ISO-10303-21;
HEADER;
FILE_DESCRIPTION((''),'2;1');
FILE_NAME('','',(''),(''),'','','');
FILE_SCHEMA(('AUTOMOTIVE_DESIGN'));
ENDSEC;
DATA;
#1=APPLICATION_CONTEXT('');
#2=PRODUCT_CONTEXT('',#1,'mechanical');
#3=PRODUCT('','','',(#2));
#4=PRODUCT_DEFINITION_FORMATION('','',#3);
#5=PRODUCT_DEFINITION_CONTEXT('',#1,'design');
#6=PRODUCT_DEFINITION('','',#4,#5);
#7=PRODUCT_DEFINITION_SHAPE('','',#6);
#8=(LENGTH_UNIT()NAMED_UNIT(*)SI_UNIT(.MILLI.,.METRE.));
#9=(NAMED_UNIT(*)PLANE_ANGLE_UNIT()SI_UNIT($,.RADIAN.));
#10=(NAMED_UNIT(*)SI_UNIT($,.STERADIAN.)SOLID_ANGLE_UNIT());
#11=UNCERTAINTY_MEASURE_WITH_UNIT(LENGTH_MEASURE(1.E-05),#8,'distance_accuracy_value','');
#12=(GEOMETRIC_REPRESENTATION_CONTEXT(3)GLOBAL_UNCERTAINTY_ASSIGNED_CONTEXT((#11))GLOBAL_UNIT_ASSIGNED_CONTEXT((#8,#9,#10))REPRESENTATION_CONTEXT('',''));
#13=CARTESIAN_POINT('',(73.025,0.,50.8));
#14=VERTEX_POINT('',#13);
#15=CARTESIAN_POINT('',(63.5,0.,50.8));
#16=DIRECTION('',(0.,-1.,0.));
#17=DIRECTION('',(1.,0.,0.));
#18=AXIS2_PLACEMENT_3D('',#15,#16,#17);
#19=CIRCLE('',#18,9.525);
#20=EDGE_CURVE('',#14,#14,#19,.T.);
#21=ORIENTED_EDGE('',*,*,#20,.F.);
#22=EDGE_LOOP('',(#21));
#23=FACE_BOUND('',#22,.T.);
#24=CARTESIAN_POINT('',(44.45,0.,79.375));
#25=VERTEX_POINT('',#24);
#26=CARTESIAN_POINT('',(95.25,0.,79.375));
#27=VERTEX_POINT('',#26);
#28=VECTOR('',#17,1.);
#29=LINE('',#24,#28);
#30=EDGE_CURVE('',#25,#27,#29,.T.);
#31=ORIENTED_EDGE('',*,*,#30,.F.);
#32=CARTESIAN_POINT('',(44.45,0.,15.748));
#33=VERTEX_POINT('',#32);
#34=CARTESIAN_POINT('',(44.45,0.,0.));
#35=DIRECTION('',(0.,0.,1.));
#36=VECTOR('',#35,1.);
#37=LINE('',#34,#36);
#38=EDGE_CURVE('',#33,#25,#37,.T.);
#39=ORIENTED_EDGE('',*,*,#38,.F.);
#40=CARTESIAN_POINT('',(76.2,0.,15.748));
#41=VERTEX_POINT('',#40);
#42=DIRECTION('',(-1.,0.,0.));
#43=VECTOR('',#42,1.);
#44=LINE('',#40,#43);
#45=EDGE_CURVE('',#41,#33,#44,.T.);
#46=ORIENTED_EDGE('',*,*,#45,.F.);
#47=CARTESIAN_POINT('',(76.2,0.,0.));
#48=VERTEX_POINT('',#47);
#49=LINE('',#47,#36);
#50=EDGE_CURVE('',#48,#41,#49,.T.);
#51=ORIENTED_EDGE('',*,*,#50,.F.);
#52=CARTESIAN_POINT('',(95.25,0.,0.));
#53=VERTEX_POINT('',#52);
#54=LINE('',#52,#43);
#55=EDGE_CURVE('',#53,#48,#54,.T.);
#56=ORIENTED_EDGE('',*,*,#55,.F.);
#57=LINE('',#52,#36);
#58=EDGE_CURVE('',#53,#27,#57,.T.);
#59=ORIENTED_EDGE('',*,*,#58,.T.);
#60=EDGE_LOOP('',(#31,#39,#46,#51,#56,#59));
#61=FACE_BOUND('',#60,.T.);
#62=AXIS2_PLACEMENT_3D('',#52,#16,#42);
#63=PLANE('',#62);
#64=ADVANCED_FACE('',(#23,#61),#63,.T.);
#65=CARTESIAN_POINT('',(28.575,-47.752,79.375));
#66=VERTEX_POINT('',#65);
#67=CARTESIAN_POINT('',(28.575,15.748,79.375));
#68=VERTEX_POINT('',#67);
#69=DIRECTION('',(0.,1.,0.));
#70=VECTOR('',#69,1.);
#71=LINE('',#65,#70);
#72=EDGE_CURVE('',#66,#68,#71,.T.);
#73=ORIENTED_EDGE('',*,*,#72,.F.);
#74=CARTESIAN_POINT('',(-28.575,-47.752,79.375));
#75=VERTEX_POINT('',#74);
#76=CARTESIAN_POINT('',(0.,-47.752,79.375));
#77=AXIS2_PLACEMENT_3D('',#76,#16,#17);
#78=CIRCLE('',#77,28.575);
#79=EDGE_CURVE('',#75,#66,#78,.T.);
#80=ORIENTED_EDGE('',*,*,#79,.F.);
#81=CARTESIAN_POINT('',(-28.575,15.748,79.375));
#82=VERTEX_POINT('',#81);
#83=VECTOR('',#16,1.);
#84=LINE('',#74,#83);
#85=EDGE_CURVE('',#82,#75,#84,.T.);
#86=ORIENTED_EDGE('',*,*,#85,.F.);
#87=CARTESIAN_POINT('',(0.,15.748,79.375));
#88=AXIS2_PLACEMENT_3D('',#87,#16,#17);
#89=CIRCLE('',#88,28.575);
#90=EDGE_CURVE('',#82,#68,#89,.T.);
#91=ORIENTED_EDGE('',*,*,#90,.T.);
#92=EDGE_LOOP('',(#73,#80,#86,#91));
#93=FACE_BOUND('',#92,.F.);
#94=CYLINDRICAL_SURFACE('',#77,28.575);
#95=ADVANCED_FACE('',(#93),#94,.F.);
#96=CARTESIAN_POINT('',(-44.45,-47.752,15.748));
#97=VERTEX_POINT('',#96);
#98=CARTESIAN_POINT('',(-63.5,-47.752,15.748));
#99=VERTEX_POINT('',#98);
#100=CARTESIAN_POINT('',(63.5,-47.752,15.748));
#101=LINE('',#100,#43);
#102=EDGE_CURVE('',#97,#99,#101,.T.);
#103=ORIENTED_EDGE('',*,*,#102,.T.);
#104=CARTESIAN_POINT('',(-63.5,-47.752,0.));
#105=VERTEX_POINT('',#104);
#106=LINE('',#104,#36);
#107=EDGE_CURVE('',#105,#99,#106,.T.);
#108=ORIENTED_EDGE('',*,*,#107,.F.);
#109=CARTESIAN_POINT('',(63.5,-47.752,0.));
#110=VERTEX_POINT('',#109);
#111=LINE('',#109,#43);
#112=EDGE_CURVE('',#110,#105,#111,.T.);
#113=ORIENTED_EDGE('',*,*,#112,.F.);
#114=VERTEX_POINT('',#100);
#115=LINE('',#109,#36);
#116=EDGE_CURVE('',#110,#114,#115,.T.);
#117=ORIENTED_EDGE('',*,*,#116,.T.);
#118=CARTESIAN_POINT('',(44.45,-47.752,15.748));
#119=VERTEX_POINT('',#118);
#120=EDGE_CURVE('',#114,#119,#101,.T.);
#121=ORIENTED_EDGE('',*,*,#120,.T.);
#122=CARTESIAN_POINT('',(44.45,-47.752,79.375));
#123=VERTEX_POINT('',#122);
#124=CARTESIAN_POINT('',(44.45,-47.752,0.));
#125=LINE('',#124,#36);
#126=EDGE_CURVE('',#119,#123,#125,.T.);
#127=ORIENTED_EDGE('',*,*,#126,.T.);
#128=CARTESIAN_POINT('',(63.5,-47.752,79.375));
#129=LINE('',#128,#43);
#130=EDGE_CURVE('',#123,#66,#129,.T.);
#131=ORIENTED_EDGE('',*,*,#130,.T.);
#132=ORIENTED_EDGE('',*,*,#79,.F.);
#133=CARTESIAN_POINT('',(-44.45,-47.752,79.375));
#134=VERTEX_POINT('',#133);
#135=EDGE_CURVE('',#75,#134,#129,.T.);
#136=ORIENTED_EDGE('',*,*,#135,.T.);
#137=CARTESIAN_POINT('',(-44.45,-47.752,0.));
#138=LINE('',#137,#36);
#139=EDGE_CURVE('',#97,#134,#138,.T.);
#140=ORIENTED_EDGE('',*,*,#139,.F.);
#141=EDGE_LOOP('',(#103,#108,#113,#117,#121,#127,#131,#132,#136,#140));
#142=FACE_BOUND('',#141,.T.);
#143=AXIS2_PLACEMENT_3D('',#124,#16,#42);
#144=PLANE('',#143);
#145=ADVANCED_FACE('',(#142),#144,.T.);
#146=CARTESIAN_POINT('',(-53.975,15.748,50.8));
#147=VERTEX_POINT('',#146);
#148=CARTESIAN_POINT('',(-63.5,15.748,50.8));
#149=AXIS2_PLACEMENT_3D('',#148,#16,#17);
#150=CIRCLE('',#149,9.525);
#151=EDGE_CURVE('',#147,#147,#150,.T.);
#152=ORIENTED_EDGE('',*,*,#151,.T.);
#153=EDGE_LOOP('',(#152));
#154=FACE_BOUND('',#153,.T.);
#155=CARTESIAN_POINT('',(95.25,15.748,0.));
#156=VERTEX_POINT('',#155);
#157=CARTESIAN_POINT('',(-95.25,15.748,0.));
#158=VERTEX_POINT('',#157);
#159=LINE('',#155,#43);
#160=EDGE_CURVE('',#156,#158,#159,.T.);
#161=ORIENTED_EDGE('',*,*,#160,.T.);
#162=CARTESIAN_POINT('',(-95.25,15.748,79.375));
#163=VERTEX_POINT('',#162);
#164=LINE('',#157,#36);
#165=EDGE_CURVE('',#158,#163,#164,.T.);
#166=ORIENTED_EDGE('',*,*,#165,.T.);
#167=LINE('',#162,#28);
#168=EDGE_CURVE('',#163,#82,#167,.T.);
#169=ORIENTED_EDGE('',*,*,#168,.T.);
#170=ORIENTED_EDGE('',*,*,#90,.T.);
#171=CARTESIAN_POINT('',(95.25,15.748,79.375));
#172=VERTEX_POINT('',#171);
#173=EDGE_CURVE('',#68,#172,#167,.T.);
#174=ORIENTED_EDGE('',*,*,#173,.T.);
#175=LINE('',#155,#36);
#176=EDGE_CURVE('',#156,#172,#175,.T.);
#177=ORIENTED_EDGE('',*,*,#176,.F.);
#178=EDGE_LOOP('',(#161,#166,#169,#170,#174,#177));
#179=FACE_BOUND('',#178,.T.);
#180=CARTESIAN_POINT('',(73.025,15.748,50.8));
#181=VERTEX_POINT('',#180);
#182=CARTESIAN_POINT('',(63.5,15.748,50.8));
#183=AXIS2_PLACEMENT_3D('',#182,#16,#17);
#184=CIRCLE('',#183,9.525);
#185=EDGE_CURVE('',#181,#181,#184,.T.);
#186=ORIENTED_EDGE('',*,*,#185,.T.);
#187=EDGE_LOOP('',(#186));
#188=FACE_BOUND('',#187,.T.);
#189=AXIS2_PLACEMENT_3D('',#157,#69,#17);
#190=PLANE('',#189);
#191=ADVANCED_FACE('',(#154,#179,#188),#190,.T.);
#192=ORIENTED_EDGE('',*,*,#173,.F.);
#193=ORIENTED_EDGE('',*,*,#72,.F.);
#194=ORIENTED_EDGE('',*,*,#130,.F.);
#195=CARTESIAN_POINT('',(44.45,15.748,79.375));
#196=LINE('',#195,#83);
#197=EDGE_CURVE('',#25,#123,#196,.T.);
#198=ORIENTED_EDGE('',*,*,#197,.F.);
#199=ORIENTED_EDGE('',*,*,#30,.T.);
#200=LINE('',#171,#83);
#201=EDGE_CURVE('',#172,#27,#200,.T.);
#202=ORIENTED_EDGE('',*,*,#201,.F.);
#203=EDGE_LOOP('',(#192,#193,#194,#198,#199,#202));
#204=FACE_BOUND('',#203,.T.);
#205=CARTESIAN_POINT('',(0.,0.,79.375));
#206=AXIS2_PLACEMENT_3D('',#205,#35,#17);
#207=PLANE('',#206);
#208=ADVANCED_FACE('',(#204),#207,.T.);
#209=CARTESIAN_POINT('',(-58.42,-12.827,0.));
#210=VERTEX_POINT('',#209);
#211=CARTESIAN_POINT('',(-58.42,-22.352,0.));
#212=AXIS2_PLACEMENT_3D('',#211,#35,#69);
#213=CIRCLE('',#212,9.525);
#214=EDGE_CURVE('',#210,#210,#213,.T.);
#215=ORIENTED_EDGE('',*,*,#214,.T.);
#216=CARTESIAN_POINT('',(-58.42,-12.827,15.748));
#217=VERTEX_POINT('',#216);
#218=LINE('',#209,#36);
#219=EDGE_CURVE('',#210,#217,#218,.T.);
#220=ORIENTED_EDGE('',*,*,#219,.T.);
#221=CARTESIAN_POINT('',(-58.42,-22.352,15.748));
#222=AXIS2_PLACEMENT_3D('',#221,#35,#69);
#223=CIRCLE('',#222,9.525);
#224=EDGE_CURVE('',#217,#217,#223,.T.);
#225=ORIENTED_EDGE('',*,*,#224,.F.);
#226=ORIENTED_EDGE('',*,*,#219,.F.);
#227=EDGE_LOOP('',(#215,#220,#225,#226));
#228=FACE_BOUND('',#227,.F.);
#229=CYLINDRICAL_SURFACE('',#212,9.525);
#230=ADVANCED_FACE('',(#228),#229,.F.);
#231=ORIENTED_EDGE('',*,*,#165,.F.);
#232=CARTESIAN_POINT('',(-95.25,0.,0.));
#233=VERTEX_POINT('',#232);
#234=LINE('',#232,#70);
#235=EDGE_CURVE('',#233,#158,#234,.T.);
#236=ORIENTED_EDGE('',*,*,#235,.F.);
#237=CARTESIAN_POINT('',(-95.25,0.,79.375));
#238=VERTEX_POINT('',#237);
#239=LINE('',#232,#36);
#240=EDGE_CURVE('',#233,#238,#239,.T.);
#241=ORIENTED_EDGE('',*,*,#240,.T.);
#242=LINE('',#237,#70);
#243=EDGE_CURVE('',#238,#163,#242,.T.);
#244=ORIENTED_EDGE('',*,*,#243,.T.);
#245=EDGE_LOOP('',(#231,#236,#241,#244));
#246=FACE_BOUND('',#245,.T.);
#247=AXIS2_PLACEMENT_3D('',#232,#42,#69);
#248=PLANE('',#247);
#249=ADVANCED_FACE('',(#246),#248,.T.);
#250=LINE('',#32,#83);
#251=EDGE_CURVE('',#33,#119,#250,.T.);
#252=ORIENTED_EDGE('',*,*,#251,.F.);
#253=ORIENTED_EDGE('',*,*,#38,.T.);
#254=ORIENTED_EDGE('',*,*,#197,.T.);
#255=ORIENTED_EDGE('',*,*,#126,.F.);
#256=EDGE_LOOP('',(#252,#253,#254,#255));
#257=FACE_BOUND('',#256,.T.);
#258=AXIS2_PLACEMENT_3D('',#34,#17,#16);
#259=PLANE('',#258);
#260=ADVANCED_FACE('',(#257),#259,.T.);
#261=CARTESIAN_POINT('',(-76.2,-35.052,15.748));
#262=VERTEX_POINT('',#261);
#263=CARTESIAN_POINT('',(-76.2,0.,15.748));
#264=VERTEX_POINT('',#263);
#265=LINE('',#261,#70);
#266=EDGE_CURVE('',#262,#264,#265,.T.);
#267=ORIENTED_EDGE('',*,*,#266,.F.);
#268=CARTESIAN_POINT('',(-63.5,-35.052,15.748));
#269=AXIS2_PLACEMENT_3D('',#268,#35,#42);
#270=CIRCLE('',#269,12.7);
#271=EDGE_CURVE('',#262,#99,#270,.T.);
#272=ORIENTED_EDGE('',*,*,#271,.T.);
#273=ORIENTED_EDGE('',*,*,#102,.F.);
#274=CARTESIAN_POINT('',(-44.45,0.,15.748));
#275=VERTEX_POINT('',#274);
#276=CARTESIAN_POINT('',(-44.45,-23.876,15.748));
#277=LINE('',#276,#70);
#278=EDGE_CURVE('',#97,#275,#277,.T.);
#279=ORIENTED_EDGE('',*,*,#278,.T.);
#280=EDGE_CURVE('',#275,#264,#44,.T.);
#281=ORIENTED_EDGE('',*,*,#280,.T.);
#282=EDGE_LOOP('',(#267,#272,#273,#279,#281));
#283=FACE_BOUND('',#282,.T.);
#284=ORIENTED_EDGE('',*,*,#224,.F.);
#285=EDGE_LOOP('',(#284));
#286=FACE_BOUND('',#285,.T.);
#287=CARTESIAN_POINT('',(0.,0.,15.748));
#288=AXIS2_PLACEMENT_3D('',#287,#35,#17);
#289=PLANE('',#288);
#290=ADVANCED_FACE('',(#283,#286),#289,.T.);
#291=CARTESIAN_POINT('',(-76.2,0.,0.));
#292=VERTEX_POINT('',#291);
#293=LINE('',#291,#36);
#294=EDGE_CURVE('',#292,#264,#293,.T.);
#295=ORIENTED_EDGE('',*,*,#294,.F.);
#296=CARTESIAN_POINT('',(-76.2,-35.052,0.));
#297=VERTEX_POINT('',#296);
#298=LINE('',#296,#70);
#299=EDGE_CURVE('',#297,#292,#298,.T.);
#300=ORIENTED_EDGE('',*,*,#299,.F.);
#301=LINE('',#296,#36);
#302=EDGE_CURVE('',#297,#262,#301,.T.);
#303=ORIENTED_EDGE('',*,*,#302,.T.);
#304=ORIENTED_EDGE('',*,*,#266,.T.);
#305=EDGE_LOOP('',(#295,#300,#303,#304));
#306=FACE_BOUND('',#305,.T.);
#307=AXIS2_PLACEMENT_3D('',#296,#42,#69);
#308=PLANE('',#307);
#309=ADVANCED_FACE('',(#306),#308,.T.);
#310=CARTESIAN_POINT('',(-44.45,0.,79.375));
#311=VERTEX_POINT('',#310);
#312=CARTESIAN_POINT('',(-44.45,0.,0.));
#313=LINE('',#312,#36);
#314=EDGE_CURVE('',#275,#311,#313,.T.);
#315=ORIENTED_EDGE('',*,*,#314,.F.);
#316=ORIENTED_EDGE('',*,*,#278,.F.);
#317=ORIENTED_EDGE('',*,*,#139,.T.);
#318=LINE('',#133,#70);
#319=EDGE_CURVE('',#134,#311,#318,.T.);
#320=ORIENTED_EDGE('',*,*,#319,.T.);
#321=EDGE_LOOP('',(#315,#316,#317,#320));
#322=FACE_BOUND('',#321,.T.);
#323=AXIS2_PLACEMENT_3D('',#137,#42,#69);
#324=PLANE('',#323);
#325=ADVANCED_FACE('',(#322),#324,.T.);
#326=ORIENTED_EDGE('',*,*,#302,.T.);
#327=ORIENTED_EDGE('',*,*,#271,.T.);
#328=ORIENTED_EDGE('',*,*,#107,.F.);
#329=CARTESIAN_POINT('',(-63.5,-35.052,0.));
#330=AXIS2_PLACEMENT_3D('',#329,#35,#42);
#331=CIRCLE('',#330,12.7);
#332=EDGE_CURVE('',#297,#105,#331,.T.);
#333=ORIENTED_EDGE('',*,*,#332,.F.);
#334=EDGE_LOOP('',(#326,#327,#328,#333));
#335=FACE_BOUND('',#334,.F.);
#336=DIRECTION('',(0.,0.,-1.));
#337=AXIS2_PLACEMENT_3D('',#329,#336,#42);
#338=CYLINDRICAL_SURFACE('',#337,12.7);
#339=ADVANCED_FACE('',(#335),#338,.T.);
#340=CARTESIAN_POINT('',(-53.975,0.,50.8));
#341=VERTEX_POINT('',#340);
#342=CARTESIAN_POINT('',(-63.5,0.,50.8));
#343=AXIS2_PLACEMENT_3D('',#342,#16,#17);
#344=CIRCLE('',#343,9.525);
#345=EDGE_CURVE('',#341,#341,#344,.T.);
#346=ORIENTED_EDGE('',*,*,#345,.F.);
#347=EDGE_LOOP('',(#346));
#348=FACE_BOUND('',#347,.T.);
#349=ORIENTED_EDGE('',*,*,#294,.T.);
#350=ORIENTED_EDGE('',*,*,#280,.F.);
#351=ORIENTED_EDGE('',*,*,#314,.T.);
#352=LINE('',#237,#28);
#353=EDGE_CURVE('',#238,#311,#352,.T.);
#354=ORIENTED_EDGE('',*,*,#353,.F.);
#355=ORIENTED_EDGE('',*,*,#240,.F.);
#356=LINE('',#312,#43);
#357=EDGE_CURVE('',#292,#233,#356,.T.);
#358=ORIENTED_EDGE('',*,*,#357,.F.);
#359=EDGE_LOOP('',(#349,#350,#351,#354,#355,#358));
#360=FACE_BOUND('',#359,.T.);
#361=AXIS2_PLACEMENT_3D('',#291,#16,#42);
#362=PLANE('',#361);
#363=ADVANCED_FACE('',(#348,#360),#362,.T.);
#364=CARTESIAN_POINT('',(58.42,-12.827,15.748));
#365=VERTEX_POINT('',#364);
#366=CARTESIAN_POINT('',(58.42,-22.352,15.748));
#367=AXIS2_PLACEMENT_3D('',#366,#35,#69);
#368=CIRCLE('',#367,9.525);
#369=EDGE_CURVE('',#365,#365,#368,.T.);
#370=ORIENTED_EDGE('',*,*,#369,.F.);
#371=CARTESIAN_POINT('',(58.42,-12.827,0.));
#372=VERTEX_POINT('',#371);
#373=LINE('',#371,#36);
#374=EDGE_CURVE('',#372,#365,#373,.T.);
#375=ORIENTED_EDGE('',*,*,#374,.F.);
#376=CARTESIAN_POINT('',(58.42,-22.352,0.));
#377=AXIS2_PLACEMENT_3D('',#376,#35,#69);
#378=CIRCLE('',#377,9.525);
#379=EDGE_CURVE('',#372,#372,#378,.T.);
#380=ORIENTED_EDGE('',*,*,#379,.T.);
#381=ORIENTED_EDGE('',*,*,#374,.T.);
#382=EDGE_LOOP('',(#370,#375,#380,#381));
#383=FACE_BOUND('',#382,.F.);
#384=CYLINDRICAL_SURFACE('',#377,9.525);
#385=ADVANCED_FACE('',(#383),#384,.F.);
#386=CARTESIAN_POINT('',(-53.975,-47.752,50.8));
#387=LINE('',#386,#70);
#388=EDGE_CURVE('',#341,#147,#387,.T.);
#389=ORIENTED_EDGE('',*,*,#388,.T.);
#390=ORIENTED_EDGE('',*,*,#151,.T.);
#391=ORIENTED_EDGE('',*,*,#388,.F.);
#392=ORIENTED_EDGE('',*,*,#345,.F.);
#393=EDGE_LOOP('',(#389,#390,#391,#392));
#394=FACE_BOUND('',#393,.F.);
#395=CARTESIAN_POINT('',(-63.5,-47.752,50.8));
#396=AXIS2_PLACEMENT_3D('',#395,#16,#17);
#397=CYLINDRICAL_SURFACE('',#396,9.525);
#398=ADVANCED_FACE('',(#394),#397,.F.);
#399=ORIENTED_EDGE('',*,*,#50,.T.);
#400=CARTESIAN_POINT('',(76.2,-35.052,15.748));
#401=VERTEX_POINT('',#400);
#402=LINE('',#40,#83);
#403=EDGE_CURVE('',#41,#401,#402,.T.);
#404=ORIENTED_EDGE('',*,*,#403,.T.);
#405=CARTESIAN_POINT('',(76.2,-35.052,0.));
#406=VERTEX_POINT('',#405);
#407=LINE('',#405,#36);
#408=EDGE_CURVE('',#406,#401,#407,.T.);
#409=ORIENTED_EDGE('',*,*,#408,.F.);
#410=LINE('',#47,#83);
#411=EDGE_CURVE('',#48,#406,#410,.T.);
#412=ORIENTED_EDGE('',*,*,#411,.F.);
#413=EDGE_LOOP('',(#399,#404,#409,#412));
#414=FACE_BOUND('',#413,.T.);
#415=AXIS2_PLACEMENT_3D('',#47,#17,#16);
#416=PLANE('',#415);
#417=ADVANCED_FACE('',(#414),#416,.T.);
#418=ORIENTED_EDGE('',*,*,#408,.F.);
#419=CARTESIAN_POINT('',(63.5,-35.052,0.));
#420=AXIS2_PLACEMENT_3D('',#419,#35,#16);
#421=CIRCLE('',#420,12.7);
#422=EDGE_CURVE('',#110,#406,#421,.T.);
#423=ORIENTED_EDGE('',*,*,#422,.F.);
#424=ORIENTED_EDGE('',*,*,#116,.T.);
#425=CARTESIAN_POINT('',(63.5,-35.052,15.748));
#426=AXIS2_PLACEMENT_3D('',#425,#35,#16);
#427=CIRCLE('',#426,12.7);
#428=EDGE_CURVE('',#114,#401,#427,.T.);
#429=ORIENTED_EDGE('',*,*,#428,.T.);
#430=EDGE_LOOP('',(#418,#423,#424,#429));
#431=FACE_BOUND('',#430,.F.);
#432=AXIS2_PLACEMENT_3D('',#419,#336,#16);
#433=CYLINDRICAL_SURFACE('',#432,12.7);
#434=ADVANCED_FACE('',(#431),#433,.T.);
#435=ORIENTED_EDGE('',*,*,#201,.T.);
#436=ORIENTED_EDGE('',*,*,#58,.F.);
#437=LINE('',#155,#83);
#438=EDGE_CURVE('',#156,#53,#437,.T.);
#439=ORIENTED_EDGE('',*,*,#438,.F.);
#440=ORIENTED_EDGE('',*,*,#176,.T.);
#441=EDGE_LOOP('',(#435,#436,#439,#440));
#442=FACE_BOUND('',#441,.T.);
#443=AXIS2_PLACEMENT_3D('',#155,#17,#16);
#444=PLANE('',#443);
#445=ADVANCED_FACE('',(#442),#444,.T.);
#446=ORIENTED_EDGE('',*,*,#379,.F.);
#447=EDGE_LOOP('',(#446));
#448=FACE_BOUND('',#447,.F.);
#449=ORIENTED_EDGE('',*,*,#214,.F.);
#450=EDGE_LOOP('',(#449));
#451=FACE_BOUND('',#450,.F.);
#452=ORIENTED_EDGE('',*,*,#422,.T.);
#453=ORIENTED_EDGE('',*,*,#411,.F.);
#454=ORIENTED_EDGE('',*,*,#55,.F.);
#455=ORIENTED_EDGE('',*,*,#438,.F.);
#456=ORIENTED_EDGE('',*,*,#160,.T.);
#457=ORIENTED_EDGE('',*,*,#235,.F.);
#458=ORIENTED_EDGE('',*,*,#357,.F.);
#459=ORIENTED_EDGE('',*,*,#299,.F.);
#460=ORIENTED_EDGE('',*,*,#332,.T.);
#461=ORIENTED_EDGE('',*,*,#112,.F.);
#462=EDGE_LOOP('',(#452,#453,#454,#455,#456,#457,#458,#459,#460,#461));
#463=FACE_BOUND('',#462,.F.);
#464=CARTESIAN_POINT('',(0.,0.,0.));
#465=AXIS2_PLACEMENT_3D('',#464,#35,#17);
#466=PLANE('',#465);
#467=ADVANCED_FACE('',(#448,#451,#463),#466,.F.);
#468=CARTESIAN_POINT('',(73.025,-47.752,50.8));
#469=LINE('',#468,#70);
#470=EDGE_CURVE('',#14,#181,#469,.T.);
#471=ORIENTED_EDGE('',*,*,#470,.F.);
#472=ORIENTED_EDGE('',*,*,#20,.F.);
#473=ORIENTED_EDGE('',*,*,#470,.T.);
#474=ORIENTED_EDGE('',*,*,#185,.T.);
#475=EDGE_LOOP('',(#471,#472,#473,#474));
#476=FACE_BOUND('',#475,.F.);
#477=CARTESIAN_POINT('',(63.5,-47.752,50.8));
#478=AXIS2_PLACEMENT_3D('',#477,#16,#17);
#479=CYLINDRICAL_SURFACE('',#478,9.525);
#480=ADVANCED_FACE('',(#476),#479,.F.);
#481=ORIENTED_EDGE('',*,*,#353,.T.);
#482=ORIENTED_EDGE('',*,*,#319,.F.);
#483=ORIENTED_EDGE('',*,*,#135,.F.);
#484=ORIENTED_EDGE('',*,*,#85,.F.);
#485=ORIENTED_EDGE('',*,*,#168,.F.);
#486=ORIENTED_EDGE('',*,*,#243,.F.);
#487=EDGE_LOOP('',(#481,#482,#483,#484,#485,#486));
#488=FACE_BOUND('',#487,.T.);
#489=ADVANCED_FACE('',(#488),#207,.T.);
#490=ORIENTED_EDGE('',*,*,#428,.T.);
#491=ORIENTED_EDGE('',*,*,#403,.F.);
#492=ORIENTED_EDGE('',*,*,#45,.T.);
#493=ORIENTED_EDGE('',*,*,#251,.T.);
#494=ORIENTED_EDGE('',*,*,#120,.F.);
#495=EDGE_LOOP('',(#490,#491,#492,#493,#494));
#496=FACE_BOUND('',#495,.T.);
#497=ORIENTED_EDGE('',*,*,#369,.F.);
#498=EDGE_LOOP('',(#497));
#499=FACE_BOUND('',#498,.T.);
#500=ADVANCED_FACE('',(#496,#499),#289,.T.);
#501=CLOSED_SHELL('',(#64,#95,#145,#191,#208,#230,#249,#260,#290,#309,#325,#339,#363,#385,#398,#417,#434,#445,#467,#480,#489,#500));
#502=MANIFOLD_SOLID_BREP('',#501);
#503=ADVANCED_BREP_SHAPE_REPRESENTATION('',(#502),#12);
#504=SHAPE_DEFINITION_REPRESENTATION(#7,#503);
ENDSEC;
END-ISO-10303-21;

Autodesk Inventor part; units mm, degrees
ref_plane "YZ Plane" through (0, 0, 0) normal (1, 0, 0) x (0, 1, 0)
ref_plane "XZ Plane" through (0, 0, 0) normal (0, 1, 0) x (-1, 0, 0)
ref_plane "XY Plane" through (0, 0, 0) normal (0, 0, 1) x (1, 0, 0)
sketch "Sketch1" plane through (0, 0, 0) normal (0, 0, 1) x (1, 0, 0)
  line L0 (-95.25, 15.748) -> (95.25, 15.748)
  line L1 (95.25, 15.748) -> (95.25, 0)
  line L2 (95.25, 0) -> (-95.25, 0)
  line L3 (-95.25, 0) -> (-95.25, 15.748)
  line L4 (-76.2, 0) -> (76.2, 0)
  line L5 (76.2, 0) -> (76.2, -35.052)
  line L6 (63.5, -47.752) -> (-63.5, -47.752)
  line L7 (-76.2, -35.052) -> (-76.2, 0)
  arc A0 (-76.2, -35.052) -> (-63.5, -47.752) centre (-63.5, -35.052) ccw
  arc A1 (63.5, -47.752) -> (76.2, -35.052) centre (63.5, -35.052) ccw
  line L8 (-58.42, -22.352) -> (58.42, -22.352) construction
  line L9 (-58.42, -22.352) -> (58.42, -22.352) construction
  line L10 (0, -22.352) -> (0, -47.752) construction
  line L11 (-44.45, 15.748) -> (44.45, 15.748)
  line L12 (44.45, 15.748) -> (44.45, -47.752)
  line L13 (44.45, -47.752) -> (-44.45, -47.752)
  line L14 (-44.45, -47.752) -> (-44.45, 15.748)
  point P0 (0, 0)
  point P1 (0, 0)
  point P2 (0, 15.748)
  dimension "d0" = 190.5
  dimension "d1" = 15.748
  dimension "d4" = 63.5
  dimension "d5" = 152.4
  dimension "d6" = 12.7
  dimension "d7" = 12.7
  dimension "d8" = 116.84
  dimension "d9" = 0
  dimension "d10" = 25.4
  dimension "d11" = 63.5
  dimension "d12" = 88.9
extrude "Extrusion1" add sketch "Sketch1" along normal blind 79.375 contours L0 L14 L2 L3 | L0 L12 L2 L14 | L0 L1 L2 L12 | L2 L12 L6 L14
extrude "Extrusion2" add sketch "Sketch1" along normal blind 15.748 contours L14 L6 A0 L7 L2 | L2 L12 L6 L14 | L2 L5 A1 L6 L12
sketch "Sketch2" plane through (-44.45, -47.752, 79.375) normal (0, -1, 0) x (1, 0, 0)
  line L0 (139.7, 0) -> (-50.8, 0) construction
  circle A0 centre (44.45, 0) radius 28.575
  line L1 (-19.05, 0) -> (107.95, 0) construction
  line L2 (0, 0) -> (88.9, 0) construction
  line L3 (-19.05, 0) -> (-19.05, -28.575) construction
  line L4 (44.45, 0) -> (44.45, -8.2892) construction
  circle A1 centre (-19.05, -28.575) radius 9.525
  circle A2 centre (107.95, -28.575) radius 9.525
  point P0 (44.45, -79.375)
  dimension "d17" = 57.15
  dimension "d18" = 127
  dimension "d23" = 28.575
  dimension "d24" = 19.05
extrude "Extrusion3" cut sketch "Sketch2" against normal blind 63.5
hole "Hole1" at (-58.42, -22.352, 0) at (58.42, -22.352, 0) direction (0, 0, 1) diameter 19.05 end through all
properties part number "B"
